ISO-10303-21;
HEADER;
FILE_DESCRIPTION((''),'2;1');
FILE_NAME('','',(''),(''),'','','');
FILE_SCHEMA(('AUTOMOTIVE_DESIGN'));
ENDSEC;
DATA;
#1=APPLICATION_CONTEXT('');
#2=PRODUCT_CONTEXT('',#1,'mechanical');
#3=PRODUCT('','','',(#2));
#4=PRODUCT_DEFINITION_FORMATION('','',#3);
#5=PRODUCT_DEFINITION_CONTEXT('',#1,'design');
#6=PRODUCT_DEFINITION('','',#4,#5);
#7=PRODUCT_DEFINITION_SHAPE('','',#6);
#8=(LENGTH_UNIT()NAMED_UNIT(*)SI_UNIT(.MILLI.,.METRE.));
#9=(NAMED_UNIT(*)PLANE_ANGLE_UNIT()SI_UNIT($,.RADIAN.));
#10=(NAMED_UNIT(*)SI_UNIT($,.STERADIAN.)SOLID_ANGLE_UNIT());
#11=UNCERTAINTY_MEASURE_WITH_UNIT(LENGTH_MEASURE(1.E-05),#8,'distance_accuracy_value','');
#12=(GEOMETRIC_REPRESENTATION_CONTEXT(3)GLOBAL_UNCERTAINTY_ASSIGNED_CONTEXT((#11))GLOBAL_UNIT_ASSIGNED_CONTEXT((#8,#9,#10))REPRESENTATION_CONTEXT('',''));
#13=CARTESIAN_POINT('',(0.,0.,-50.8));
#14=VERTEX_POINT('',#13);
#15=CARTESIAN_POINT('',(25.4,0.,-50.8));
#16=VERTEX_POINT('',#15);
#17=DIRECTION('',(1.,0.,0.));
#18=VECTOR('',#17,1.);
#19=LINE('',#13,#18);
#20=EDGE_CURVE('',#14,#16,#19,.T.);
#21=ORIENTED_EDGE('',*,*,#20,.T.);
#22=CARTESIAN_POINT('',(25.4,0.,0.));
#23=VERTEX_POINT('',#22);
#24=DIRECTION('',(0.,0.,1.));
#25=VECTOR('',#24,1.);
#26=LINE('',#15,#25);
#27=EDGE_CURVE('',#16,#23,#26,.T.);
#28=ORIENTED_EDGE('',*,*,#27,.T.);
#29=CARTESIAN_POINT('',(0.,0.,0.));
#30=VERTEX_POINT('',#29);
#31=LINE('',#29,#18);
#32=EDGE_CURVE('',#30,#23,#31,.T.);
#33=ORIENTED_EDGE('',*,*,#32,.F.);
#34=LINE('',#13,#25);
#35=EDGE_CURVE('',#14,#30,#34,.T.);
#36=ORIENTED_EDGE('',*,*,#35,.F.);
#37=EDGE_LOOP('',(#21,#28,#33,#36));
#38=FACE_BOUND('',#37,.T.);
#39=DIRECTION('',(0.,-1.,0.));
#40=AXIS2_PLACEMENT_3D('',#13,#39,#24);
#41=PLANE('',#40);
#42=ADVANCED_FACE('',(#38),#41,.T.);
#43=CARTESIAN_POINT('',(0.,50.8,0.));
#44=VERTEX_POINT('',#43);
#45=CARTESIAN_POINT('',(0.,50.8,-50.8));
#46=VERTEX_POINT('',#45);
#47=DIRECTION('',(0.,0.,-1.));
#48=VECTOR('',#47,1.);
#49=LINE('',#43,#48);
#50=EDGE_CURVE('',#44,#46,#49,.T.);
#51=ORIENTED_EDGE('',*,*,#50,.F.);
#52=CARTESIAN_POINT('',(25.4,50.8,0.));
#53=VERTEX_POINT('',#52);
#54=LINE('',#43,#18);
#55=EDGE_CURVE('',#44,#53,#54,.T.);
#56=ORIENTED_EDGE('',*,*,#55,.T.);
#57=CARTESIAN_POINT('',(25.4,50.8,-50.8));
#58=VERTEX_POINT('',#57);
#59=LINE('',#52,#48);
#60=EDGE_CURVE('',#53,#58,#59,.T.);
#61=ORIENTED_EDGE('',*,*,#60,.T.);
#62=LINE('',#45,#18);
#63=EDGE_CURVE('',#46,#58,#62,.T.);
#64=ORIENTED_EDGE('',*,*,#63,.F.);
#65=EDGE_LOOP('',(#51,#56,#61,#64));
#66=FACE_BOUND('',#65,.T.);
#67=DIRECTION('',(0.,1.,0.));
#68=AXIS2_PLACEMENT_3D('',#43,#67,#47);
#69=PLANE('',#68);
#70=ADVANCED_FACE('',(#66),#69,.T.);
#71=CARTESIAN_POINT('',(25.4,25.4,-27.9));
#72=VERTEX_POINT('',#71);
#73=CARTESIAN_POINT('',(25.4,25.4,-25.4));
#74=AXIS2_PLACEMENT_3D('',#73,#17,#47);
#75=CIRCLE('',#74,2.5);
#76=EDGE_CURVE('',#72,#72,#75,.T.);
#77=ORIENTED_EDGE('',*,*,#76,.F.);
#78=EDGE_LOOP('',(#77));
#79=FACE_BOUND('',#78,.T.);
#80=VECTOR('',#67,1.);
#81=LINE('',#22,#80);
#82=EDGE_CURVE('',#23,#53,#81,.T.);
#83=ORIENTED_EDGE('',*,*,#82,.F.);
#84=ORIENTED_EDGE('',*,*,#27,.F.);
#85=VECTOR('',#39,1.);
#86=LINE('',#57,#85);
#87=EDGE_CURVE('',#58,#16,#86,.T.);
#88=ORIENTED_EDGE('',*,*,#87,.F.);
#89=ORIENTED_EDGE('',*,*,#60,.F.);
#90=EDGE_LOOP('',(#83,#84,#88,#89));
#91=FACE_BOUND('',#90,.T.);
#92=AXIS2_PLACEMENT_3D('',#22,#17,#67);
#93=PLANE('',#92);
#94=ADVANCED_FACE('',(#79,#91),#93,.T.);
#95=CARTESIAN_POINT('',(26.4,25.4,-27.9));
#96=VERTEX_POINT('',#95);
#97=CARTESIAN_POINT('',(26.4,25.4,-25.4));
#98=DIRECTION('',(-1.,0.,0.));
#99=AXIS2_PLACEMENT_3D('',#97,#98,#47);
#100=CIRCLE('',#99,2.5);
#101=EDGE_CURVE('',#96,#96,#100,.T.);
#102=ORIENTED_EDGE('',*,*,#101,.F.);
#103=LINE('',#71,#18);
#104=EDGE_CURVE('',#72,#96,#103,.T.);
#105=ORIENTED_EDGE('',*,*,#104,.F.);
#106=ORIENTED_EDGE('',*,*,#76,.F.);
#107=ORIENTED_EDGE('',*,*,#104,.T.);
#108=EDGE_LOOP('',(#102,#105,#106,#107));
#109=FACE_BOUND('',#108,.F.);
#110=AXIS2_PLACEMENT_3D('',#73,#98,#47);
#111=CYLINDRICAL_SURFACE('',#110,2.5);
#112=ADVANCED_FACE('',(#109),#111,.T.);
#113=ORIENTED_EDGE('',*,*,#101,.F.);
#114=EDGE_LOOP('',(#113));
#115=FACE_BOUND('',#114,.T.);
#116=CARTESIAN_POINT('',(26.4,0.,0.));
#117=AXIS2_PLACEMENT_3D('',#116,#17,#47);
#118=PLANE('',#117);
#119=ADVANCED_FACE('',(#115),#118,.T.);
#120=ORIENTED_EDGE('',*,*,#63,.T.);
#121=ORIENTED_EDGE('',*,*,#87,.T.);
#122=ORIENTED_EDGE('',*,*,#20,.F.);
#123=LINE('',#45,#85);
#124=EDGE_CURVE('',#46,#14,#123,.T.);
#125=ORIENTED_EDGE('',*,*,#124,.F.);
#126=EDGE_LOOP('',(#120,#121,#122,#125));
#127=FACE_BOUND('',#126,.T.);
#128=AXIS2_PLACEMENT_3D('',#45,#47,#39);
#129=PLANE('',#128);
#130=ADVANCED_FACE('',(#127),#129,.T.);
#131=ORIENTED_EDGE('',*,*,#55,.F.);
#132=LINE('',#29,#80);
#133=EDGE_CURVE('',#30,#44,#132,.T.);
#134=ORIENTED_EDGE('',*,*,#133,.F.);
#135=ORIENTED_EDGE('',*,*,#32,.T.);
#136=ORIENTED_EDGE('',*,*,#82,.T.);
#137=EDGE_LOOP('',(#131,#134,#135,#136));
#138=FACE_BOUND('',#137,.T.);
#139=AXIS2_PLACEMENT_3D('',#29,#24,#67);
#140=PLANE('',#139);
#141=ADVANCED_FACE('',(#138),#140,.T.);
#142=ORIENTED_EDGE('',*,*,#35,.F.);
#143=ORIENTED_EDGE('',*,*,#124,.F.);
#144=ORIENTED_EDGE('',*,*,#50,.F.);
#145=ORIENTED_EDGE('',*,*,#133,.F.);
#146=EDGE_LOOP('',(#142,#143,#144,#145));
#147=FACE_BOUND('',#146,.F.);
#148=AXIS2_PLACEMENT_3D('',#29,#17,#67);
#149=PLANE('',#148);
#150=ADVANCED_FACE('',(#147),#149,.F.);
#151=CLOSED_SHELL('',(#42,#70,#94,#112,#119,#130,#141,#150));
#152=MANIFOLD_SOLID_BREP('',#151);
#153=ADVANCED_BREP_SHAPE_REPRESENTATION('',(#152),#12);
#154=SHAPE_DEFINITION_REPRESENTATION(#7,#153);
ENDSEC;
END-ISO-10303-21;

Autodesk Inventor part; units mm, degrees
ref_plane "YZ Plane" through (0, 0, 0) normal (1, 0, 0) x (0, 1, 0)
ref_plane "XZ Plane" through (0, 0, 0) normal (0, 1, 0) x (-1, 0, 0)
ref_plane "XY Plane" through (0, 0, 0) normal (0, 0, 1) x (1, 0, 0)
sketch "Sketch1" plane through (0, 0, 0) normal (1, 0, 0) x (0, 1, 0)
  line L0 (0, 0) -> (50.8, 0)
  line L1 (50.8, 0) -> (50.8, -50.8)
  line L2 (50.8, -50.8) -> (0, -50.8)
  line L3 (0, -50.8) -> (0, 0)
  dimension "d0" = 50.8
  dimension "d1" = 50.8
extrude "Extrusion1" add sketch "Sketch1" along normal blind 25.4
sketch "Sketch2" plane through (25.4, 0, 0) normal (1, 0, 0) x (0, 0, -1)
  line L0 (0, 50.8) -> (0, 0) projected
  line L1 (0, 0) -> (50.8, 0) projected
  line L2 (0, 50.8) -> (50.8, 0)
  line L3 (50.8, 0) -> (50.8, 50.8) projected
  line L4 (0, 0) -> (50.8, 50.8)
  circle A0 centre (25.4, 25.4) radius 2.5
  dimension "d4" = 5
extrude "Extrusion2" add sketch "Sketch2" along normal blind 1 contours A0 L4 L2 | L2 L4 A0 | L4 L2 A0 | L4 A0 L2
properties part number "contre poid"
